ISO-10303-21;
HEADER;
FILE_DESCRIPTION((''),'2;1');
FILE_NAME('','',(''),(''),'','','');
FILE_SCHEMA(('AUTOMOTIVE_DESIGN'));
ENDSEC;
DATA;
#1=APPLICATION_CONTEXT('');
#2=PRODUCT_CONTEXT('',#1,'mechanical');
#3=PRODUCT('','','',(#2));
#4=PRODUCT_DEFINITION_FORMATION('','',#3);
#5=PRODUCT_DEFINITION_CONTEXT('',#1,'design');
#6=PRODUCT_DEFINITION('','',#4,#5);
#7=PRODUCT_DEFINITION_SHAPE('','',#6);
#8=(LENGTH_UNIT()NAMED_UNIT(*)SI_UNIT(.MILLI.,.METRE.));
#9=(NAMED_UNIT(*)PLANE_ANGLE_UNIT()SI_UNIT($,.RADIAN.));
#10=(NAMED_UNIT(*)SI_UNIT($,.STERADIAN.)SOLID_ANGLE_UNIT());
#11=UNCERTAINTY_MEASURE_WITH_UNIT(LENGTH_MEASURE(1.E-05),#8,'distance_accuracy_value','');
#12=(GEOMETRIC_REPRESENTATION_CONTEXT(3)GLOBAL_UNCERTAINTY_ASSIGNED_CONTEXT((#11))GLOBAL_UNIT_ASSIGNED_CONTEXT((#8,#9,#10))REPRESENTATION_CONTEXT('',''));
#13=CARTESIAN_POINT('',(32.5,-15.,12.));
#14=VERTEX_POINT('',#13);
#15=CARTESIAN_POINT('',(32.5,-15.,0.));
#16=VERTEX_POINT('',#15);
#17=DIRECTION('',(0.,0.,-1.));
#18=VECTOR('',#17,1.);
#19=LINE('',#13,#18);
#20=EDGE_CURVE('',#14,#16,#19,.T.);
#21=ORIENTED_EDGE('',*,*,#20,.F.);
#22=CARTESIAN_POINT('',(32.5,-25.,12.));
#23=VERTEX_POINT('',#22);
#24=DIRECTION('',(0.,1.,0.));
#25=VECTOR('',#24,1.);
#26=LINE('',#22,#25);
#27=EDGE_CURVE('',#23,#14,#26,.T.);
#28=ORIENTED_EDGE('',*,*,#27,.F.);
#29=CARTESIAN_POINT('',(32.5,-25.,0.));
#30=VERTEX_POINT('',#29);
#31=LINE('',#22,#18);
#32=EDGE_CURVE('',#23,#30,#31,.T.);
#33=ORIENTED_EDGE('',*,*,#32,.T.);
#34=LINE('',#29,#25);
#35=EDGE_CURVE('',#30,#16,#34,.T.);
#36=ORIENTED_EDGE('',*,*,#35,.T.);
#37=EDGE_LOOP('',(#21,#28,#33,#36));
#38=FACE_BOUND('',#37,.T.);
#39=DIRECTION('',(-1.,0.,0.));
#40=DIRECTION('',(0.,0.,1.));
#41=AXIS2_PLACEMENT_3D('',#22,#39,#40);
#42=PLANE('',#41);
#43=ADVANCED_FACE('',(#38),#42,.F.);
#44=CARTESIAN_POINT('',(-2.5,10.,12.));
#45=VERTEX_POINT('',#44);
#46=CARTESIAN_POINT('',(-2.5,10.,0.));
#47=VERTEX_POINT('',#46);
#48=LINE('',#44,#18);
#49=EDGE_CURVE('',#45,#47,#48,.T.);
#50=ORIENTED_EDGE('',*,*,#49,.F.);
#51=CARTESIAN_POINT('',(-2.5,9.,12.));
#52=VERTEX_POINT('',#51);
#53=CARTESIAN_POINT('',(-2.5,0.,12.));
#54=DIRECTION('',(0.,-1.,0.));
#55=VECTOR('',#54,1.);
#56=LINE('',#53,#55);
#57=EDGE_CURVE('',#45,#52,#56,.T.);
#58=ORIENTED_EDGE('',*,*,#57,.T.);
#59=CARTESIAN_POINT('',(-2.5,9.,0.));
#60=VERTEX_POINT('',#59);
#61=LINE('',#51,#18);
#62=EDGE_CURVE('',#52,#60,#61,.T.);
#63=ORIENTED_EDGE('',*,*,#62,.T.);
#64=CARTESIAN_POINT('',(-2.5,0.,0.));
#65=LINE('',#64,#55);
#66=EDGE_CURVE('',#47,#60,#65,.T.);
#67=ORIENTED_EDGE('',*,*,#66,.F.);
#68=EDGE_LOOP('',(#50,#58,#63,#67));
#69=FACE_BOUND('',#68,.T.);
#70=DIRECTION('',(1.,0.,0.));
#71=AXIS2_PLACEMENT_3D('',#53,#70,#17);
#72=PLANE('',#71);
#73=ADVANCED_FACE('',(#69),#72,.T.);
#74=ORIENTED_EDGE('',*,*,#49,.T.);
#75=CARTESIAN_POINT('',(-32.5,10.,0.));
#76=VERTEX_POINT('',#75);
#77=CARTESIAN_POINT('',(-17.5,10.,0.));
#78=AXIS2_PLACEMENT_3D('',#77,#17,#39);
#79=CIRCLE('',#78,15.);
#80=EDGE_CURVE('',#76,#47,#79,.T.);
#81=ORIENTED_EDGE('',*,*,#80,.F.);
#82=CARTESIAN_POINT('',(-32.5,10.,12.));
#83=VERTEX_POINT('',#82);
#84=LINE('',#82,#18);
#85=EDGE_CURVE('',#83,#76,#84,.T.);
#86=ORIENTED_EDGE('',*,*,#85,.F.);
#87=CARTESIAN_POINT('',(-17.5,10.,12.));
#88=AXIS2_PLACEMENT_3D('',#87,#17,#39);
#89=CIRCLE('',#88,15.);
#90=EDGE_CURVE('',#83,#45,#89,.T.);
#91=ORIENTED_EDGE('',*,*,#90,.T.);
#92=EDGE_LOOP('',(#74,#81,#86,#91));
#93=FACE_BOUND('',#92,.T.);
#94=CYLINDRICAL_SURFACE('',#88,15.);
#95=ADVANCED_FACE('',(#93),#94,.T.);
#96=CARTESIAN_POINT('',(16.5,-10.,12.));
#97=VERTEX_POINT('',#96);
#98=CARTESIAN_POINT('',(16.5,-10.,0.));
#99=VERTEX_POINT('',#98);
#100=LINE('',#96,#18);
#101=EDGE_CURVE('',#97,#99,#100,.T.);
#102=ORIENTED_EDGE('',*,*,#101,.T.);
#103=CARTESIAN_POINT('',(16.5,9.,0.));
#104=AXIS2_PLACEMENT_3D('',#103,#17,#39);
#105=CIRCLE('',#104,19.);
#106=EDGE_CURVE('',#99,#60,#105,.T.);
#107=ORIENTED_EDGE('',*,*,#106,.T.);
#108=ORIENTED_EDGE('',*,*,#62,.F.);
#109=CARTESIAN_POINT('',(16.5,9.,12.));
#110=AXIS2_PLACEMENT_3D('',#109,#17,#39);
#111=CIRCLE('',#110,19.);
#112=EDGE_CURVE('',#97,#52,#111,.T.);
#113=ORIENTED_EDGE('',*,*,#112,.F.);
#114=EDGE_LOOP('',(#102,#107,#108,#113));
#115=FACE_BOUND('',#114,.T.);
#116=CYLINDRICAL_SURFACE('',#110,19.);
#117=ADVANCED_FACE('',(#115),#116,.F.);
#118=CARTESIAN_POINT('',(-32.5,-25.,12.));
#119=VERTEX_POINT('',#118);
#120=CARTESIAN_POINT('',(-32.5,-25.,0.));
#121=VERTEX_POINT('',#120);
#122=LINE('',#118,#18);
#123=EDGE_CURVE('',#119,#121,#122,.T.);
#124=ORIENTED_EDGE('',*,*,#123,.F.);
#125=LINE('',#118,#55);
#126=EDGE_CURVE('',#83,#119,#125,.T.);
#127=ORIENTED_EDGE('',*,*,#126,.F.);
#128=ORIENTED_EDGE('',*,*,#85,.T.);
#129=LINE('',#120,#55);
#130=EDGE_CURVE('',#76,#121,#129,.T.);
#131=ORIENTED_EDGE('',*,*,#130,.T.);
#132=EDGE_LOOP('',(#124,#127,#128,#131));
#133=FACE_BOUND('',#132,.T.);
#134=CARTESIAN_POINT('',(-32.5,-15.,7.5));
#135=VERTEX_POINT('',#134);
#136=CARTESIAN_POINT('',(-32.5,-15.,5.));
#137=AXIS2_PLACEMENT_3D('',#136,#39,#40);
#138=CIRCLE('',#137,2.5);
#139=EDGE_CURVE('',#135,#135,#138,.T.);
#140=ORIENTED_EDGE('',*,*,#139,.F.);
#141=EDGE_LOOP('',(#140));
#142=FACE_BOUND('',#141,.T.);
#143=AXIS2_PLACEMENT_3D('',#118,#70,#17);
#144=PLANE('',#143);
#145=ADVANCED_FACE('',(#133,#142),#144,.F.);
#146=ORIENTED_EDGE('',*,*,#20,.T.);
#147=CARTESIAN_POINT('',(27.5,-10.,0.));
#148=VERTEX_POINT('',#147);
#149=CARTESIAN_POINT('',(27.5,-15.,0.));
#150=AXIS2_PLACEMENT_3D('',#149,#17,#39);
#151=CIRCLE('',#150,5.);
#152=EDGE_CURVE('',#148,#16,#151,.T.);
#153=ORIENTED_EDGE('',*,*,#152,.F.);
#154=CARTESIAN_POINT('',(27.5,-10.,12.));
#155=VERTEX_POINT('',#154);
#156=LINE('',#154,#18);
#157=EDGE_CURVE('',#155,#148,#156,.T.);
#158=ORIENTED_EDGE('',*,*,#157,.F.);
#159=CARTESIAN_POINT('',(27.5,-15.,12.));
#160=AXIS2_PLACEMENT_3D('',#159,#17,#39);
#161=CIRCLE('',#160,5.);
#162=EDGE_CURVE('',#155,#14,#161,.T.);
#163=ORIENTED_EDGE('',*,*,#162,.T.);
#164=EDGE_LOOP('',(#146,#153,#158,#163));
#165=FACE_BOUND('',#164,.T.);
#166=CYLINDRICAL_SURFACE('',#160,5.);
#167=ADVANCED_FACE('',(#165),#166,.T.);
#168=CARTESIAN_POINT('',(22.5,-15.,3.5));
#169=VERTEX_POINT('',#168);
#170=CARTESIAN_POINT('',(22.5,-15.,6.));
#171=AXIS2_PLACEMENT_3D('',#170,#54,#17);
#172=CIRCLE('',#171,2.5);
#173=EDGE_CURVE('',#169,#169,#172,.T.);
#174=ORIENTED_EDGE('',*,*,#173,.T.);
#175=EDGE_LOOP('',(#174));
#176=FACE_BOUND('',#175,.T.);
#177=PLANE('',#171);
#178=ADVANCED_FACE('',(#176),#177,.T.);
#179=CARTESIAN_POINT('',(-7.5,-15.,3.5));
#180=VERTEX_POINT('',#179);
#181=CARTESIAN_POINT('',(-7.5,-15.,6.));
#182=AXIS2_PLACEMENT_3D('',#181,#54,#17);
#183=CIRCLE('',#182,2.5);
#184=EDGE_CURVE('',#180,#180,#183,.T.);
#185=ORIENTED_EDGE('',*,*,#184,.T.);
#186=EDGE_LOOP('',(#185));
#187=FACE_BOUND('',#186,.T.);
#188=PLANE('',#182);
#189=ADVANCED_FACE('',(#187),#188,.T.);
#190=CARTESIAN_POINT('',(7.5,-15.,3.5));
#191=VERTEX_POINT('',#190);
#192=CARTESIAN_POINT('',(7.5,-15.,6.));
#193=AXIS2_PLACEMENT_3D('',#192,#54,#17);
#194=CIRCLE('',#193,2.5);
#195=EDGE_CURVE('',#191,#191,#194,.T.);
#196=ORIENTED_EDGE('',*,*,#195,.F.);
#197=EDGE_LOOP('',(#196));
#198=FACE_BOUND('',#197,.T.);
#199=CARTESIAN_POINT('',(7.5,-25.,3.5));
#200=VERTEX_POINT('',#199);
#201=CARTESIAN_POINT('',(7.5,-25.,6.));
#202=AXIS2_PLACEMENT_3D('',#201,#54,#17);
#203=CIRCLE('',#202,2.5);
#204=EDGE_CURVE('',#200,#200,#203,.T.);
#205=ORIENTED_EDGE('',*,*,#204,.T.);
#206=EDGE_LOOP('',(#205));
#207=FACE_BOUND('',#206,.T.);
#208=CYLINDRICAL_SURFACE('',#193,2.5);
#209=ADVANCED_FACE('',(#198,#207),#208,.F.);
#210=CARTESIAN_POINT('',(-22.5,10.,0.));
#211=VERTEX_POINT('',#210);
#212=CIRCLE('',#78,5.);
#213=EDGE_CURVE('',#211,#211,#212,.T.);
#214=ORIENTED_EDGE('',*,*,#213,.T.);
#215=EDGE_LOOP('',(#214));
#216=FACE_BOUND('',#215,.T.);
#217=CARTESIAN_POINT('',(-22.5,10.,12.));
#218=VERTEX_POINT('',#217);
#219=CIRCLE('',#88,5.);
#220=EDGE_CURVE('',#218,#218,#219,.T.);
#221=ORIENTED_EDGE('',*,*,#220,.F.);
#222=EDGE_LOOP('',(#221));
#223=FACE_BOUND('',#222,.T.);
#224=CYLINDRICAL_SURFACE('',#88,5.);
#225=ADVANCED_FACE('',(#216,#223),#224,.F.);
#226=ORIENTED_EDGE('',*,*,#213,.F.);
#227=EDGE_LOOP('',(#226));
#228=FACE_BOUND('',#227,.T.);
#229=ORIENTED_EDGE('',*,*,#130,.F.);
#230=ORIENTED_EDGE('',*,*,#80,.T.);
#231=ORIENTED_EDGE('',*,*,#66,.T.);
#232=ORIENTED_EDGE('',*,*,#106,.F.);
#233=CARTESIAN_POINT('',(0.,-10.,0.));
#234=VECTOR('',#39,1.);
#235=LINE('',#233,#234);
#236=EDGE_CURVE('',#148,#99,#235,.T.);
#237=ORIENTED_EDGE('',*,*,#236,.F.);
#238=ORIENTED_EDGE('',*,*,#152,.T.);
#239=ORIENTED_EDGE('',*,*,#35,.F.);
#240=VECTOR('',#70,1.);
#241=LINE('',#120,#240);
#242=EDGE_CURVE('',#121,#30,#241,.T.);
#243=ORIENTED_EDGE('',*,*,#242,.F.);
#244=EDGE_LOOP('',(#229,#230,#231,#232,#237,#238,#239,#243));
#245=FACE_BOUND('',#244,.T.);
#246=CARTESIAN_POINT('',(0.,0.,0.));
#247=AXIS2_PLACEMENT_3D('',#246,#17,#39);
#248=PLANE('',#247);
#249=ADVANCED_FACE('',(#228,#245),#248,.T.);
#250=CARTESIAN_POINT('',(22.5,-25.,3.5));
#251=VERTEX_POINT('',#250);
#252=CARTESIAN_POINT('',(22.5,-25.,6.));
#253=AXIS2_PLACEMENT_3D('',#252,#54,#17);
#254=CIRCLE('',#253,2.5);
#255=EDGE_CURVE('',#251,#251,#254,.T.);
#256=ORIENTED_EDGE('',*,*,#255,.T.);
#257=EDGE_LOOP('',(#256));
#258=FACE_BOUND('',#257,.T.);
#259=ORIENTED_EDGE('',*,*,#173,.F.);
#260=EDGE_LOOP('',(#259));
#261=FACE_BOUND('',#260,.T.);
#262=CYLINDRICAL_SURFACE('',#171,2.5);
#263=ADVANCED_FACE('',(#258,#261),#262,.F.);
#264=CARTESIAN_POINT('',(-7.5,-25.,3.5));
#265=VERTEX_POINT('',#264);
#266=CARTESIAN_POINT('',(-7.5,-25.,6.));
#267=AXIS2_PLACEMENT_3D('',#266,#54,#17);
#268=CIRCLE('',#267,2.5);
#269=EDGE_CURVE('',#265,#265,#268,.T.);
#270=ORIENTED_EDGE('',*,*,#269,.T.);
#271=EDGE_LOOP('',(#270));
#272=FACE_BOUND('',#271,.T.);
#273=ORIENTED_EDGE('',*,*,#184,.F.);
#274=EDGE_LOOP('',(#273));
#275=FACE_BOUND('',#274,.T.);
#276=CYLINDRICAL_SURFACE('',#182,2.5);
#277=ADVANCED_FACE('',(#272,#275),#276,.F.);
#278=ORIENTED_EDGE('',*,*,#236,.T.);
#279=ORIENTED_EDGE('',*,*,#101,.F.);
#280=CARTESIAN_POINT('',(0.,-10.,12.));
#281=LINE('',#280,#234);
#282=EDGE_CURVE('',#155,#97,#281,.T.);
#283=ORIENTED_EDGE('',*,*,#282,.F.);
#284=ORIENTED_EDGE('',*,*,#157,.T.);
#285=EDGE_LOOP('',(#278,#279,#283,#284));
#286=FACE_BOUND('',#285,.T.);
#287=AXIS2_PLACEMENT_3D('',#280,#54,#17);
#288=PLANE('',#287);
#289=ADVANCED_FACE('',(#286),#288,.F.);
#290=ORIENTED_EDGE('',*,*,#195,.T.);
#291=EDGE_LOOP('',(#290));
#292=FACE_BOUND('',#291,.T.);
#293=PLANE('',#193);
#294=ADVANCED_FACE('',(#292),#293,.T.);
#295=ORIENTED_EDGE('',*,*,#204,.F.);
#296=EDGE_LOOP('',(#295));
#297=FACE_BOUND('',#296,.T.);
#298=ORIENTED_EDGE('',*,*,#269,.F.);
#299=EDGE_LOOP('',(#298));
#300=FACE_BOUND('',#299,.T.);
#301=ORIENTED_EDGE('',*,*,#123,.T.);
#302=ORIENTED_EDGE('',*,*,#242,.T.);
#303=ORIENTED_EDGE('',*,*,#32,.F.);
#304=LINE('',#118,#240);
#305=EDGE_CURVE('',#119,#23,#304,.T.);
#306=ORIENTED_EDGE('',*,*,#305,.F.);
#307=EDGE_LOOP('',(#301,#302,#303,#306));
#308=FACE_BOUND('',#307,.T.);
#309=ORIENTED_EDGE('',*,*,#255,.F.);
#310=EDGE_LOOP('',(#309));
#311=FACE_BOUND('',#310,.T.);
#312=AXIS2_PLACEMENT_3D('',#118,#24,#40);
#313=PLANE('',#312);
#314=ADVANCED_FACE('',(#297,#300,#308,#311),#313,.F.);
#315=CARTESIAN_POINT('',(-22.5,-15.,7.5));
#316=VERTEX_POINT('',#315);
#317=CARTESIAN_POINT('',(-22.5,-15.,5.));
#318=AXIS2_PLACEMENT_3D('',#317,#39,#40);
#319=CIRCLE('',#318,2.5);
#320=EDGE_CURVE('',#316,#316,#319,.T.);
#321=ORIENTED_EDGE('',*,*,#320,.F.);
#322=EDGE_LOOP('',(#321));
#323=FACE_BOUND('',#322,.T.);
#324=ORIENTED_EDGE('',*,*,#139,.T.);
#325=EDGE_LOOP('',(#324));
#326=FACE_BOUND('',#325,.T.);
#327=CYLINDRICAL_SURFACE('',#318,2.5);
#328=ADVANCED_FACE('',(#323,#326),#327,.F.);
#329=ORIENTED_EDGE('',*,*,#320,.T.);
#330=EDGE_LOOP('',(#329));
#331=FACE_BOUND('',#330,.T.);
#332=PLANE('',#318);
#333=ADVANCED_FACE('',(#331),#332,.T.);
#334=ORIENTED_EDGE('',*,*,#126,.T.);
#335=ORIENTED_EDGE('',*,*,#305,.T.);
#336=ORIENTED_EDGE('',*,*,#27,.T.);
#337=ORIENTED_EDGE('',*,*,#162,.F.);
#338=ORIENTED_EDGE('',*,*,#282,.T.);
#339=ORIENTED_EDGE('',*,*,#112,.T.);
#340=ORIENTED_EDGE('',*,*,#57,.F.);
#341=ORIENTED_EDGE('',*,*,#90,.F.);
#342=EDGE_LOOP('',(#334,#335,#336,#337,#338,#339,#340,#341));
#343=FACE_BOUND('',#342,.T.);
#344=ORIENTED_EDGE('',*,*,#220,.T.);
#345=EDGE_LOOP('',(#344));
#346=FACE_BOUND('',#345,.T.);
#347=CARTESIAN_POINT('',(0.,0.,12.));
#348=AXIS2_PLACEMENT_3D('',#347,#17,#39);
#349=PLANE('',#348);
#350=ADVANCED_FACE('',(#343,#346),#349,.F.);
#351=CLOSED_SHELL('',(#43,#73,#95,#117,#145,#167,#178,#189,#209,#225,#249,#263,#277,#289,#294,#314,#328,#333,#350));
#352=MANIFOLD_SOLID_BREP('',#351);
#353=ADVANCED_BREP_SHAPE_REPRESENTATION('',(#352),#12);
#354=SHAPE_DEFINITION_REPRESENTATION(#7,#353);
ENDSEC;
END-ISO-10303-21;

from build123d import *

# Parameters (mm, degrees)
SKETCH_1_W          = 65
SKETCH_1_H          = 50
EXTRUDE_1_DEPTH     = 12
SKETCH_2_R          = 2.5
CUT_EXTRUDE_1_DEPTH = 10
CUT_EXTRUDE_2_DEPTH = 12
SKETCH_4_R          = 5
CUT_EXTRUDE_3_DEPTH = 12
SKETCH_5_R          = 2.5
CUT_EXTRUDE_4_DEPTH = 10


with BuildPart() as part:
    # 草图1 → 凸台-拉伸1 (new body)
    with BuildSketch(Plane.XY):
        Rectangle(SKETCH_1_W, SKETCH_1_H)
    extrude(amount=EXTRUDE_1_DEPTH)

    # 草图2 → 切除-拉伸1 (cut)
    with BuildSketch(Plane(origin=(0, -25, 0), x_dir=(-1, 0, 0), z_dir=(0, -1, 0))):
        with Locations(Location((7.5, -6, 0), (0, 0, 90))):
            Circle(SKETCH_2_R)
        with Locations(Location((-7.5, -6, 0), (0, 0, 90))):
            Circle(SKETCH_2_R)
        with Locations(Location((-22.5, -6, 0), (0, 0, 90))):
            Circle(SKETCH_2_R)
    extrude(amount=-CUT_EXTRUDE_1_DEPTH, mode=Mode.SUBTRACT)

    # 草图3 → 切除-拉伸2 (cut)
    with BuildSketch(Plane(origin=(0, 0, 0), x_dir=(-1, 0, 0), z_dir=(0, 0, -1))):
        with BuildLine():
            ThreePointArc((-32.5, -15), (-31.035533906, -11.464466094), (-27.5, -10))
            Line((-27.5, -10), (-16.5, -10))
            ThreePointArc((-16.5, -10), (-3.064971157, -4.435028843), (2.5, 9))
            Line((2.5, 9), (2.5, 10))
            ThreePointArc((2.5, 10), (6.893398271, 20.606601706), (17.499999967, 25))
            Line((17.499999967, 25), (-32.5, 25))
            Line((-32.5, 25), (-32.5, -15))
        make_face()
        with BuildLine():
            Line((32.5, 25), (17.499999967, 25))
            ThreePointArc((17.499999967, 25), (28.106601706, 20.606601729), (32.5, 10))
            Line((32.5, 10), (32.5, 25))
        make_face()
    extrude(amount=-CUT_EXTRUDE_2_DEPTH, mode=Mode.SUBTRACT)

    # 草图4 → 切除-拉伸3 (cut)
    with BuildSketch(Plane(origin=(0, 0, 0), x_dir=(-1, 0, 0), z_dir=(0, 0, -1))):
        with Locations((17.5, 10)):
            Circle(SKETCH_4_R)
    extrude(amount=-CUT_EXTRUDE_3_DEPTH, mode=Mode.SUBTRACT)

    # 草图5 → 切除-拉伸4 (cut)
    with BuildSketch(Plane.ZY.offset(32.5)):
        with Locations((5, -15)):
            Circle(SKETCH_5_R)
    extrude(amount=-CUT_EXTRUDE_4_DEPTH, mode=Mode.SUBTRACT)


solid = part.part
